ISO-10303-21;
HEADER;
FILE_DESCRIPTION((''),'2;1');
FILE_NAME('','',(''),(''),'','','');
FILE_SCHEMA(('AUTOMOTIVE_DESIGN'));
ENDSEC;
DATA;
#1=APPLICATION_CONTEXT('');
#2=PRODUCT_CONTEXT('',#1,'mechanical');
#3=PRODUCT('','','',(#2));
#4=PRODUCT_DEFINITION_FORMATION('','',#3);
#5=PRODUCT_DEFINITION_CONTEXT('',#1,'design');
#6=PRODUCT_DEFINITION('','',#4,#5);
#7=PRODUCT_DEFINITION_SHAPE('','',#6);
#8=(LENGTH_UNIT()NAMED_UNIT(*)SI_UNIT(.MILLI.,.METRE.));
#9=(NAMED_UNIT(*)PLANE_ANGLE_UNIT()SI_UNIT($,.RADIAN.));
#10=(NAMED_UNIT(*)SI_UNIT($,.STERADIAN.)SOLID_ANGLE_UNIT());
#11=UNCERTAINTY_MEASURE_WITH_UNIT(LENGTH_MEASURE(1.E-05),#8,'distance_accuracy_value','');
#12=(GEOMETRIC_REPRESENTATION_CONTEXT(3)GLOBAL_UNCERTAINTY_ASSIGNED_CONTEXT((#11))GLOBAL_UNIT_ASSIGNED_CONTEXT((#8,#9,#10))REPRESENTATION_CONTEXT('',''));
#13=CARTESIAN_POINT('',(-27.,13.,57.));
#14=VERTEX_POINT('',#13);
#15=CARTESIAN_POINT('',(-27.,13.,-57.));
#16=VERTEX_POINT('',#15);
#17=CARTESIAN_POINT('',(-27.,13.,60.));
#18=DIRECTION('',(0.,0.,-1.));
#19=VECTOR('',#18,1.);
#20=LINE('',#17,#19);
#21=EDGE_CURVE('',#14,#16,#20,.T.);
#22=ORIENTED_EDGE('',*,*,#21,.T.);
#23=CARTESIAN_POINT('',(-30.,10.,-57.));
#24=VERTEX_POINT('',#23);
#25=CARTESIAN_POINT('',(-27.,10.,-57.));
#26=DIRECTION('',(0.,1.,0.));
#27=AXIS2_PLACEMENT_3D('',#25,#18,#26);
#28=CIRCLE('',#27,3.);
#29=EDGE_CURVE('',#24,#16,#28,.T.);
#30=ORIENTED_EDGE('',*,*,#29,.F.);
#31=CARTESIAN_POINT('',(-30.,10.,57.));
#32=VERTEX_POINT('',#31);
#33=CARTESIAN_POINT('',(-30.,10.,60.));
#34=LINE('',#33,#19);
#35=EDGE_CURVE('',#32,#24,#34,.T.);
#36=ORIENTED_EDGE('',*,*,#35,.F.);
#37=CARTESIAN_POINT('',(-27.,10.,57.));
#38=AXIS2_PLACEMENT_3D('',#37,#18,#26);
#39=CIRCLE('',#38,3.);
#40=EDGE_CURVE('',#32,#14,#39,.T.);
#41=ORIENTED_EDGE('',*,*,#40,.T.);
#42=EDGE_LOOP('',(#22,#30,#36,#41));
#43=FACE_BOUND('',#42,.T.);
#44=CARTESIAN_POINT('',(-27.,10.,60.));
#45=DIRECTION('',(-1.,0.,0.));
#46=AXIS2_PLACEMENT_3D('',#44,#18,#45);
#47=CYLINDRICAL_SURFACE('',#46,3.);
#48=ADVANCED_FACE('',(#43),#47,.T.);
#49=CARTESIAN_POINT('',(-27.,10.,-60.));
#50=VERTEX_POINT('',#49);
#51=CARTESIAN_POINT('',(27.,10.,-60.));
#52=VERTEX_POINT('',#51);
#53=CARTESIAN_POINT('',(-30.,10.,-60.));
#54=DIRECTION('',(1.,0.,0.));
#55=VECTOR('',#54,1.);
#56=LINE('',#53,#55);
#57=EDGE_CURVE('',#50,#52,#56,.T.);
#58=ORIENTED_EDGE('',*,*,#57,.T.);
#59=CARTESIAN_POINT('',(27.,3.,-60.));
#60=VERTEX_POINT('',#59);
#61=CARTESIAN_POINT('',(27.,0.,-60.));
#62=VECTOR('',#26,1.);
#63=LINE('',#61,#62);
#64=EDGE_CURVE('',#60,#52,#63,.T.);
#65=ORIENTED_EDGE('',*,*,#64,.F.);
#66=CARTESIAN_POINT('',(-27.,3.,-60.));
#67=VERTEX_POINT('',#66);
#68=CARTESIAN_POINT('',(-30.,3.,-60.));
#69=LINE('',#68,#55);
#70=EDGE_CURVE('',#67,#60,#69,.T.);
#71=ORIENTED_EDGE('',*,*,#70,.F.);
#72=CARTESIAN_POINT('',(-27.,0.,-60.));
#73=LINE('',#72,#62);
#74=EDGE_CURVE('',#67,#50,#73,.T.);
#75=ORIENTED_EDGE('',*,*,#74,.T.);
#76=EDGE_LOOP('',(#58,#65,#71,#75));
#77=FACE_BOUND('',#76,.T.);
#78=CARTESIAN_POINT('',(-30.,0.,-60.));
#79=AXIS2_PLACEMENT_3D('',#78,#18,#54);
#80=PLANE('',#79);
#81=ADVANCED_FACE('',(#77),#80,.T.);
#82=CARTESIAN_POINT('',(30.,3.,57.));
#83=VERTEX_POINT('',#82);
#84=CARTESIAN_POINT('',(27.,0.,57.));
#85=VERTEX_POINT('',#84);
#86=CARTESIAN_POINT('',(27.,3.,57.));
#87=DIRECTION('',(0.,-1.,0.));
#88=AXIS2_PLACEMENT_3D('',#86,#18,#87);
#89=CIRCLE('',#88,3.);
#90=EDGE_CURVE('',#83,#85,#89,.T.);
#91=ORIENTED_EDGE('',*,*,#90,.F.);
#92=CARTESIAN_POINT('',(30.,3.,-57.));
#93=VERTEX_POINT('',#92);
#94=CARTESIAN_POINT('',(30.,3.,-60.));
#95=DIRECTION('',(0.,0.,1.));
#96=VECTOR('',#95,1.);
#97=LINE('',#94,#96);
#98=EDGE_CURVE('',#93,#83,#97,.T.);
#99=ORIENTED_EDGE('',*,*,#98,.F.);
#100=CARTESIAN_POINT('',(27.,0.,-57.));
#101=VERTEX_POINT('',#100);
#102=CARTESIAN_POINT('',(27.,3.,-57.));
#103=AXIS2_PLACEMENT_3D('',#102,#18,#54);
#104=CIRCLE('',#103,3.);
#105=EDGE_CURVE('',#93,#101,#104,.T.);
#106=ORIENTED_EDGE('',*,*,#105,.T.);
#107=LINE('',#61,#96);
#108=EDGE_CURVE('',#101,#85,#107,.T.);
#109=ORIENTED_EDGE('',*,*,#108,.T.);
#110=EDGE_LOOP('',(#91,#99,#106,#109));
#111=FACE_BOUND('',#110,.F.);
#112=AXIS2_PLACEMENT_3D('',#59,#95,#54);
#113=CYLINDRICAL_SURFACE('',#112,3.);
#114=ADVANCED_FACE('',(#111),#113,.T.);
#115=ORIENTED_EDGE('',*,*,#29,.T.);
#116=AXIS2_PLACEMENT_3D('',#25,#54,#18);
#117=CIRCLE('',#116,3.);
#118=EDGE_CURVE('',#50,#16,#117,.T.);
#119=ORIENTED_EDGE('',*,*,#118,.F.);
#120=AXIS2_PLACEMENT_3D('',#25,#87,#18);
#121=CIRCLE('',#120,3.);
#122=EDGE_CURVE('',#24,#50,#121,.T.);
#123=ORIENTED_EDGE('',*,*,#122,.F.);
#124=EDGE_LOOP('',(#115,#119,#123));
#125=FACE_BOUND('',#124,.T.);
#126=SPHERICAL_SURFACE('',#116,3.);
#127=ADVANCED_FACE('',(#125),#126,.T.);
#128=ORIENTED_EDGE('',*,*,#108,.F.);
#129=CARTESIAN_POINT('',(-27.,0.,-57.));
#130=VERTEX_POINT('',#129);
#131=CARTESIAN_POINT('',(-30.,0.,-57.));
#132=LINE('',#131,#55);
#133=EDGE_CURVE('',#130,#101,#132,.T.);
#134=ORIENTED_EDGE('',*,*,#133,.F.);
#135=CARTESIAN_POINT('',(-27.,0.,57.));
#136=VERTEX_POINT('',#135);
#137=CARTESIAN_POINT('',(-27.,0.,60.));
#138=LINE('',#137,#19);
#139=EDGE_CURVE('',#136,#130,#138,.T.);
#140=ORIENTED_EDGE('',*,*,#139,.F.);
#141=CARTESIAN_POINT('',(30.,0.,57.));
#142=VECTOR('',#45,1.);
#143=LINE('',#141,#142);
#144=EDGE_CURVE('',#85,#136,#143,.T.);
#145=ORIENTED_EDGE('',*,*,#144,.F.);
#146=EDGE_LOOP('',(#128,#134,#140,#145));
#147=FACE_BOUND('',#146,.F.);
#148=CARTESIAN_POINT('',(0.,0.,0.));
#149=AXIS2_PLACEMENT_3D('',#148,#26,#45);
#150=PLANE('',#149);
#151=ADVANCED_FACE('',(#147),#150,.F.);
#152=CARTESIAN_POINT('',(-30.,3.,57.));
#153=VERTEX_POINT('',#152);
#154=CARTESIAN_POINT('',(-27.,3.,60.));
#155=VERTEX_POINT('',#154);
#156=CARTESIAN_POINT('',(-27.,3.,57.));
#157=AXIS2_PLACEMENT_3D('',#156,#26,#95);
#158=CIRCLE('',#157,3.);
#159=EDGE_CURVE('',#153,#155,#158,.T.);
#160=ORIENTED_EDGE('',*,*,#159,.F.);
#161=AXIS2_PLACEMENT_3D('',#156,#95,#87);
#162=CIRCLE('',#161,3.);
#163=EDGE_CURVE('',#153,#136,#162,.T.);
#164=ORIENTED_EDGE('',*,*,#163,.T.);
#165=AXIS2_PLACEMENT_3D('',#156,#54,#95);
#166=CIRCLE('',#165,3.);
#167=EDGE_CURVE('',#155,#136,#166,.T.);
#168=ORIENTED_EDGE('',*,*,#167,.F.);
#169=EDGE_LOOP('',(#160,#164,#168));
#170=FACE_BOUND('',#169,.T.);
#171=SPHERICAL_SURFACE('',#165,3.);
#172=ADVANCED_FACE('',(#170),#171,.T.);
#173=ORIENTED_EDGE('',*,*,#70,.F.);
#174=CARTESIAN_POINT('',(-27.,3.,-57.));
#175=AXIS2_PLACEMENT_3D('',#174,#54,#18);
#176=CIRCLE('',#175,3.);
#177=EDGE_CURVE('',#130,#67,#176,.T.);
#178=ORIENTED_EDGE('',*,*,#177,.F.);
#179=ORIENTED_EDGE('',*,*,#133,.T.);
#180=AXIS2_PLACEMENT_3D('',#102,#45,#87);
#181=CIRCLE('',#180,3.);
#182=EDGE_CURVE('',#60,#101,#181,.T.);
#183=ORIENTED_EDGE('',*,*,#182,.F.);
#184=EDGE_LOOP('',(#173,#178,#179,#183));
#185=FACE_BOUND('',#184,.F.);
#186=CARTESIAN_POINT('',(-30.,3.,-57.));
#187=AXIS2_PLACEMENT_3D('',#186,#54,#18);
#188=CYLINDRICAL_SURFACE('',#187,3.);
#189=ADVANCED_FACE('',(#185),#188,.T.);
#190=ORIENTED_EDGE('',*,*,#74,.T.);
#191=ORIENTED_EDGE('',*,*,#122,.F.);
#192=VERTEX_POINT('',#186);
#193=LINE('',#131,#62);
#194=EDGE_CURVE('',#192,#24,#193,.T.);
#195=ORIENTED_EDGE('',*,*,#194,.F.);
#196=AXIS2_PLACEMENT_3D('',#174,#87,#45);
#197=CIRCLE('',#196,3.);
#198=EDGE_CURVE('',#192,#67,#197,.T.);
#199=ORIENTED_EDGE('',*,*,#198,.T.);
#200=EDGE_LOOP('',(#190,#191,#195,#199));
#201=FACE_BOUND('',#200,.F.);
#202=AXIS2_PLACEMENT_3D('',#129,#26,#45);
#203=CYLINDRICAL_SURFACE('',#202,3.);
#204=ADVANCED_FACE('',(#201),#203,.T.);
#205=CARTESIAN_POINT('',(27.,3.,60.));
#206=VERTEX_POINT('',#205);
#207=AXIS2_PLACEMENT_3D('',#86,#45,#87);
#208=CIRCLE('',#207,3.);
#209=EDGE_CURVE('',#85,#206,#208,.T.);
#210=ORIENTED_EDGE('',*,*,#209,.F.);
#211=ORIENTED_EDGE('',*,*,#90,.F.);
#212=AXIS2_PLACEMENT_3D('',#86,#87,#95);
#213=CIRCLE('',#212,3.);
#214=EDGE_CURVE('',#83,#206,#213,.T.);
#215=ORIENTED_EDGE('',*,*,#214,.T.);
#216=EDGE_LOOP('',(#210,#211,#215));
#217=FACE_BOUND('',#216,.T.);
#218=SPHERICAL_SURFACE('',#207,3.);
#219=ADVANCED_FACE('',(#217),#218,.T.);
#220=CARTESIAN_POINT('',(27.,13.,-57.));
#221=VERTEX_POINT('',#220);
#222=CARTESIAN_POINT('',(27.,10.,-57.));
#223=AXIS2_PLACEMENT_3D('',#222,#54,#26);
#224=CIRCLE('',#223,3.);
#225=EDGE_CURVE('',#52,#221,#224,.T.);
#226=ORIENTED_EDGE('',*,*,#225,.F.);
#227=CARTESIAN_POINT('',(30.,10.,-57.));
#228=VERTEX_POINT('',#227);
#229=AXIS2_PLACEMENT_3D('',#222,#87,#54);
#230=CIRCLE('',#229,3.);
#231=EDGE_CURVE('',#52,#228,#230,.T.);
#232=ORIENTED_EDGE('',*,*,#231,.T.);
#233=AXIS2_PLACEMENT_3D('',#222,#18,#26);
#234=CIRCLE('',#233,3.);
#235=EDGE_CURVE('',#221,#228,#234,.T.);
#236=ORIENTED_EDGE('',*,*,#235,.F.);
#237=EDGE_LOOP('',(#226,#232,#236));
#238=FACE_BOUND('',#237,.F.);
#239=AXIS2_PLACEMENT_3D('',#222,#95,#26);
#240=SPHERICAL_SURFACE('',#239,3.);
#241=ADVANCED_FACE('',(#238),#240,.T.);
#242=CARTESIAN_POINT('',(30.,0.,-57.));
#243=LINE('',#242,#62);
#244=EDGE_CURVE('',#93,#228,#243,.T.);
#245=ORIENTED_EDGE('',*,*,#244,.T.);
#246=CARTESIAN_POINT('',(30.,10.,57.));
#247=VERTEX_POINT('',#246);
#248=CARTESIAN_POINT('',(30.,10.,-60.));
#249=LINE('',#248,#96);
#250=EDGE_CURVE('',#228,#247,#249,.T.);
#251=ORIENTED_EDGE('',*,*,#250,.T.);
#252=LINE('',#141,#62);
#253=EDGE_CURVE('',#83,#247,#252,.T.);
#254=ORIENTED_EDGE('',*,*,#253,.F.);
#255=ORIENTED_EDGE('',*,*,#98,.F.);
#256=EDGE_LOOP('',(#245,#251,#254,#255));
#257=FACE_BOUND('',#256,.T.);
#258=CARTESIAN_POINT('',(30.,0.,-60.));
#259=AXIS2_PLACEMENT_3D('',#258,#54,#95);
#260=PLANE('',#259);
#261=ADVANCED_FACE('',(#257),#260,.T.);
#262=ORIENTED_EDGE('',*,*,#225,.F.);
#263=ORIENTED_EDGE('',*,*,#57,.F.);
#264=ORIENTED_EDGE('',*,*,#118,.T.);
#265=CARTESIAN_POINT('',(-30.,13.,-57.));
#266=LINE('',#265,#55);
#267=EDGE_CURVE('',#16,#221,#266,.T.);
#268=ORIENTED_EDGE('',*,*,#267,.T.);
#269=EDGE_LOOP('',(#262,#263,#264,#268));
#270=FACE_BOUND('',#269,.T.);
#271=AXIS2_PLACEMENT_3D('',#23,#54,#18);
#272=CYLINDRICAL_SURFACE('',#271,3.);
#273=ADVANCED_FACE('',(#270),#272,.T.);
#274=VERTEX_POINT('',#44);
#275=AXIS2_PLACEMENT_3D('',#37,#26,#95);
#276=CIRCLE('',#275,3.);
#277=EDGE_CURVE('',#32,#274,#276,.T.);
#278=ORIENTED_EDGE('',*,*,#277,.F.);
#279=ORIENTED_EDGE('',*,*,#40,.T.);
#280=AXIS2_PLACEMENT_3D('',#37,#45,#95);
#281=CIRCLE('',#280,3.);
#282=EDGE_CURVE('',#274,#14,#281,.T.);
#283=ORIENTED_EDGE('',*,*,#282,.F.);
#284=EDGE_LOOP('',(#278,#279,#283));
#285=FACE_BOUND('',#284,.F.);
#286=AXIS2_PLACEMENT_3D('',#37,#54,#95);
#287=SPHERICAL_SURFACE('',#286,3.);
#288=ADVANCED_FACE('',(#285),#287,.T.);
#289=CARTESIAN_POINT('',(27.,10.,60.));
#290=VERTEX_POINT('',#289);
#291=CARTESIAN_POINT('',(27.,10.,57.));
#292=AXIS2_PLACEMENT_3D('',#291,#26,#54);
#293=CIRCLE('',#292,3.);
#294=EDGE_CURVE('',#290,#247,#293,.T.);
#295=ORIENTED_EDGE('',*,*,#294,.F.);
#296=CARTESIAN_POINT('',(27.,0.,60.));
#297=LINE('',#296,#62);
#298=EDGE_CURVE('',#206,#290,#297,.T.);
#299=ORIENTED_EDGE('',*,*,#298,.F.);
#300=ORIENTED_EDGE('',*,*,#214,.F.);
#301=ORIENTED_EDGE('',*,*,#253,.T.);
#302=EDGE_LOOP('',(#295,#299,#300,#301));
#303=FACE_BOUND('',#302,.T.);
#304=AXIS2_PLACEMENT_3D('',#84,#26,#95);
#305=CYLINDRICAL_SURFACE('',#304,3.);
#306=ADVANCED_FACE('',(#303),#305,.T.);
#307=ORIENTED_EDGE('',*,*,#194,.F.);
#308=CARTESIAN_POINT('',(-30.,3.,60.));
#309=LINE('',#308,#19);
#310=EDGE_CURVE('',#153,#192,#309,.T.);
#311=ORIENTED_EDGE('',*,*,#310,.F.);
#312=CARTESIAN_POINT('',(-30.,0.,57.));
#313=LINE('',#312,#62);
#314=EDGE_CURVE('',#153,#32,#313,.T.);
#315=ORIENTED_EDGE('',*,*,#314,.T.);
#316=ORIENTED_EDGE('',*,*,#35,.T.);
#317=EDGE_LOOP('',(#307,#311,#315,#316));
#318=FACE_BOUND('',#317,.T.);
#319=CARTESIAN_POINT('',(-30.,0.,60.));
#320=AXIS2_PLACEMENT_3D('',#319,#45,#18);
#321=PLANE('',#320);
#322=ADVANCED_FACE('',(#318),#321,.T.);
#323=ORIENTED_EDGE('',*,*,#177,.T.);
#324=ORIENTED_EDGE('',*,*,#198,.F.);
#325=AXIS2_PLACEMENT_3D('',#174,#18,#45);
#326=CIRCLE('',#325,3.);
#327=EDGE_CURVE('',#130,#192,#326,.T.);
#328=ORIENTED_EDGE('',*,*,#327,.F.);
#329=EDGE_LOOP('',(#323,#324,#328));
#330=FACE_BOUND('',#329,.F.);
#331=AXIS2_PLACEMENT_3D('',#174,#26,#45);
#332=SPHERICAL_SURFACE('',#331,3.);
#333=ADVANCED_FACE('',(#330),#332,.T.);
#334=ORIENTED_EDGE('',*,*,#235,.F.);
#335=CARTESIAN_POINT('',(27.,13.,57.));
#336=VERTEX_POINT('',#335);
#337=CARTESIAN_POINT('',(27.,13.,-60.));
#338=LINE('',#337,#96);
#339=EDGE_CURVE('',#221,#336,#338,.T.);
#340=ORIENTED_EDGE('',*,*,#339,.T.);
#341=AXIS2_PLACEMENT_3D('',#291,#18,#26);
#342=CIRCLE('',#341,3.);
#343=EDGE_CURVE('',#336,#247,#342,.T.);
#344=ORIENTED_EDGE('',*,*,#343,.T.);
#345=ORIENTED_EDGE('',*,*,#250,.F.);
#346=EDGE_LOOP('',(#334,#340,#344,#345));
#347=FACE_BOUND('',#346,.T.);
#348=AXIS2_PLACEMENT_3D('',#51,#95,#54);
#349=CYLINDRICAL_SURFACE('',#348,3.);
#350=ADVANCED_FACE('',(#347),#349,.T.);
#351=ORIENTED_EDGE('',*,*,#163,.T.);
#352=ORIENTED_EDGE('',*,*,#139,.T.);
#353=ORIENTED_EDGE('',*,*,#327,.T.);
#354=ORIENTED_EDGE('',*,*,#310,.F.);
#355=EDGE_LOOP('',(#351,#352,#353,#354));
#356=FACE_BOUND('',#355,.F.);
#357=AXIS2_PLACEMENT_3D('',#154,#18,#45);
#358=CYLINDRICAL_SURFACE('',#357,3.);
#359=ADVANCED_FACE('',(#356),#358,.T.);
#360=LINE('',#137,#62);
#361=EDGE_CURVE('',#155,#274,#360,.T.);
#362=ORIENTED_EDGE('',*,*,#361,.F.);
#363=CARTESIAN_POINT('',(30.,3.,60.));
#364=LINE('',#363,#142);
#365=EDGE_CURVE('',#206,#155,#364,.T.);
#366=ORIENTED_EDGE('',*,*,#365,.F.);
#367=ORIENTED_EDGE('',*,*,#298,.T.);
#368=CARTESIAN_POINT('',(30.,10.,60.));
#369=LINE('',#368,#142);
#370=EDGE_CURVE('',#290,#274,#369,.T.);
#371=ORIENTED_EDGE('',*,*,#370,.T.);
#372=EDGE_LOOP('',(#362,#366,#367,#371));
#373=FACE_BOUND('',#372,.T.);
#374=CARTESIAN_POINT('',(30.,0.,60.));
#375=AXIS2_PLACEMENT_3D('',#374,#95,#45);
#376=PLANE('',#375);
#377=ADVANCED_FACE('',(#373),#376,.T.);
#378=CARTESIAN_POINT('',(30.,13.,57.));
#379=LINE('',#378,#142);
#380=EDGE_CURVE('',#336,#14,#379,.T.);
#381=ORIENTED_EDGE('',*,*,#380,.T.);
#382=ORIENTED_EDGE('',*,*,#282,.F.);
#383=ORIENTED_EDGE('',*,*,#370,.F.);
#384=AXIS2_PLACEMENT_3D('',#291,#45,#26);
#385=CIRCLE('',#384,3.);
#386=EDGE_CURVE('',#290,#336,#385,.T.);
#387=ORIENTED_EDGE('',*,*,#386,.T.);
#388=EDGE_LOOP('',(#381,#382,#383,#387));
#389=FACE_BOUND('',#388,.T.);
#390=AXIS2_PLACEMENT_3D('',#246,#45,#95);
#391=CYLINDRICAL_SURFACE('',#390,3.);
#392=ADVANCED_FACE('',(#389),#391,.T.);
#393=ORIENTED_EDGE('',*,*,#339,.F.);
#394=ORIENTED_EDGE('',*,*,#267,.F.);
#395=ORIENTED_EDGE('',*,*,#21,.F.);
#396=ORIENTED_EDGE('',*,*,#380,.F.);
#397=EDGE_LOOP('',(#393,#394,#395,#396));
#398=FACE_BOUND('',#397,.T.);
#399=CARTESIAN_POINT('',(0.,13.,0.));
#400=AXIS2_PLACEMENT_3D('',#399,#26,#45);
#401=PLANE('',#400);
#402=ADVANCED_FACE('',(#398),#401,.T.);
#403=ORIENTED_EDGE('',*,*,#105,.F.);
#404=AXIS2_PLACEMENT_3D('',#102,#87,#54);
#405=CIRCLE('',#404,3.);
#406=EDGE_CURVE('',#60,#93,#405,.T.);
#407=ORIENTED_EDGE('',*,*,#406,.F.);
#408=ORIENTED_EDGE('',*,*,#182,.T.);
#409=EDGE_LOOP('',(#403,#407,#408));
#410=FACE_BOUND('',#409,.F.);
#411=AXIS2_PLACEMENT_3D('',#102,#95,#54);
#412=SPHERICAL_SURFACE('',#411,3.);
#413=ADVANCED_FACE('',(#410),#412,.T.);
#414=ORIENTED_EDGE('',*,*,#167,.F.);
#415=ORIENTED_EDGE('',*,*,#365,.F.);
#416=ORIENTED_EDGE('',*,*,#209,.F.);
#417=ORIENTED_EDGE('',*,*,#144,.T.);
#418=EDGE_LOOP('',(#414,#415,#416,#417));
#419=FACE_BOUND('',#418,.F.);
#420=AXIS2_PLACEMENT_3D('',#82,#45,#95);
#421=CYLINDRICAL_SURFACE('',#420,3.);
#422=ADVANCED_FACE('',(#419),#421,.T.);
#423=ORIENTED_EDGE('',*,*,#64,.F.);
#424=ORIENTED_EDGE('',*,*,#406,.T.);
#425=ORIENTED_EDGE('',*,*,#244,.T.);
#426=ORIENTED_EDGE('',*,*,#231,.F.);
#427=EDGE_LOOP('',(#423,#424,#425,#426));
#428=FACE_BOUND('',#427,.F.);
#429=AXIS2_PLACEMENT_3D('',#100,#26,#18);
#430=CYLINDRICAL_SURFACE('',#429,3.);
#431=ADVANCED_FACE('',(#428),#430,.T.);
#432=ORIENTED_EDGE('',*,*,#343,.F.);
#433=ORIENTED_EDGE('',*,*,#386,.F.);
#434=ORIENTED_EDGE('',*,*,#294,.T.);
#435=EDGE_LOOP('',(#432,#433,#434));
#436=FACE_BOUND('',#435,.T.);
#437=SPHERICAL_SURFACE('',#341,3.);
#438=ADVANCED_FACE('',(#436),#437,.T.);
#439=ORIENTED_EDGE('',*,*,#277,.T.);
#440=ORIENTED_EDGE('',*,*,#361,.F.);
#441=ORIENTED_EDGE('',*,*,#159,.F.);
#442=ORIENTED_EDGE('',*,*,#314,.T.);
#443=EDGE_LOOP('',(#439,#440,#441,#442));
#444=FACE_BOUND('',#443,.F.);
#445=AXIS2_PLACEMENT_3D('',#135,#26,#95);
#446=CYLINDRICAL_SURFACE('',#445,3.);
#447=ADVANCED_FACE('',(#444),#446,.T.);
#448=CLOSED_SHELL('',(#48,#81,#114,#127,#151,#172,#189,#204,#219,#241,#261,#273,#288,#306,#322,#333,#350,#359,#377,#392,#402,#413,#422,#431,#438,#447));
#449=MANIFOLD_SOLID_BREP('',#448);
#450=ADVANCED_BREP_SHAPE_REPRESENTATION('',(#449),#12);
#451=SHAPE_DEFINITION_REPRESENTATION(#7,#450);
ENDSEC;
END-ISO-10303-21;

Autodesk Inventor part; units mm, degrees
ref_plane "YZ Plane" through (0, 0, 0) normal (1, 0, 0) x (0, 1, 0)
ref_plane "XZ Plane" through (0, 0, 0) normal (0, 1, 0) x (-1, 0, 0)
ref_plane "XY Plane" through (0, 0, 0) normal (0, 0, 1) x (1, 0, 0)
sketch "Sketch1" plane through (0, 0, 0) normal (0, 1, 0) x (-1, 0, 0)
  line L0 (-30, 60) -> (30, 60)
  line L1 (30, 60) -> (30, -60)
  line L2 (30, -60) -> (-30, -60)
  line L3 (-30, -60) -> (-30, 60)
  line L4 (-30, 60) -> (30, -60) construction
  line L5 (30, 60) -> (-30, -60) construction
  point P0 (0, 0)
  dimension "d0" = 60
  dimension "d1" = 120
extrude "Extrusion1" add sketch "Sketch1" along normal blind 13
fillet "Fillet1" radius 3 12 edges at (30, 13, 0) (0, 13, 60) (0, 0, 60) (30, 0, 0) (0, 13, -60) (-30, 6.5, -60) (30, 6.5, -60) (30, 6.5, 60) (-30, 6.5, 60) (-30, 13, 0) (-30, 0, 0) (0, 0, -60)
properties part number "Battery"
